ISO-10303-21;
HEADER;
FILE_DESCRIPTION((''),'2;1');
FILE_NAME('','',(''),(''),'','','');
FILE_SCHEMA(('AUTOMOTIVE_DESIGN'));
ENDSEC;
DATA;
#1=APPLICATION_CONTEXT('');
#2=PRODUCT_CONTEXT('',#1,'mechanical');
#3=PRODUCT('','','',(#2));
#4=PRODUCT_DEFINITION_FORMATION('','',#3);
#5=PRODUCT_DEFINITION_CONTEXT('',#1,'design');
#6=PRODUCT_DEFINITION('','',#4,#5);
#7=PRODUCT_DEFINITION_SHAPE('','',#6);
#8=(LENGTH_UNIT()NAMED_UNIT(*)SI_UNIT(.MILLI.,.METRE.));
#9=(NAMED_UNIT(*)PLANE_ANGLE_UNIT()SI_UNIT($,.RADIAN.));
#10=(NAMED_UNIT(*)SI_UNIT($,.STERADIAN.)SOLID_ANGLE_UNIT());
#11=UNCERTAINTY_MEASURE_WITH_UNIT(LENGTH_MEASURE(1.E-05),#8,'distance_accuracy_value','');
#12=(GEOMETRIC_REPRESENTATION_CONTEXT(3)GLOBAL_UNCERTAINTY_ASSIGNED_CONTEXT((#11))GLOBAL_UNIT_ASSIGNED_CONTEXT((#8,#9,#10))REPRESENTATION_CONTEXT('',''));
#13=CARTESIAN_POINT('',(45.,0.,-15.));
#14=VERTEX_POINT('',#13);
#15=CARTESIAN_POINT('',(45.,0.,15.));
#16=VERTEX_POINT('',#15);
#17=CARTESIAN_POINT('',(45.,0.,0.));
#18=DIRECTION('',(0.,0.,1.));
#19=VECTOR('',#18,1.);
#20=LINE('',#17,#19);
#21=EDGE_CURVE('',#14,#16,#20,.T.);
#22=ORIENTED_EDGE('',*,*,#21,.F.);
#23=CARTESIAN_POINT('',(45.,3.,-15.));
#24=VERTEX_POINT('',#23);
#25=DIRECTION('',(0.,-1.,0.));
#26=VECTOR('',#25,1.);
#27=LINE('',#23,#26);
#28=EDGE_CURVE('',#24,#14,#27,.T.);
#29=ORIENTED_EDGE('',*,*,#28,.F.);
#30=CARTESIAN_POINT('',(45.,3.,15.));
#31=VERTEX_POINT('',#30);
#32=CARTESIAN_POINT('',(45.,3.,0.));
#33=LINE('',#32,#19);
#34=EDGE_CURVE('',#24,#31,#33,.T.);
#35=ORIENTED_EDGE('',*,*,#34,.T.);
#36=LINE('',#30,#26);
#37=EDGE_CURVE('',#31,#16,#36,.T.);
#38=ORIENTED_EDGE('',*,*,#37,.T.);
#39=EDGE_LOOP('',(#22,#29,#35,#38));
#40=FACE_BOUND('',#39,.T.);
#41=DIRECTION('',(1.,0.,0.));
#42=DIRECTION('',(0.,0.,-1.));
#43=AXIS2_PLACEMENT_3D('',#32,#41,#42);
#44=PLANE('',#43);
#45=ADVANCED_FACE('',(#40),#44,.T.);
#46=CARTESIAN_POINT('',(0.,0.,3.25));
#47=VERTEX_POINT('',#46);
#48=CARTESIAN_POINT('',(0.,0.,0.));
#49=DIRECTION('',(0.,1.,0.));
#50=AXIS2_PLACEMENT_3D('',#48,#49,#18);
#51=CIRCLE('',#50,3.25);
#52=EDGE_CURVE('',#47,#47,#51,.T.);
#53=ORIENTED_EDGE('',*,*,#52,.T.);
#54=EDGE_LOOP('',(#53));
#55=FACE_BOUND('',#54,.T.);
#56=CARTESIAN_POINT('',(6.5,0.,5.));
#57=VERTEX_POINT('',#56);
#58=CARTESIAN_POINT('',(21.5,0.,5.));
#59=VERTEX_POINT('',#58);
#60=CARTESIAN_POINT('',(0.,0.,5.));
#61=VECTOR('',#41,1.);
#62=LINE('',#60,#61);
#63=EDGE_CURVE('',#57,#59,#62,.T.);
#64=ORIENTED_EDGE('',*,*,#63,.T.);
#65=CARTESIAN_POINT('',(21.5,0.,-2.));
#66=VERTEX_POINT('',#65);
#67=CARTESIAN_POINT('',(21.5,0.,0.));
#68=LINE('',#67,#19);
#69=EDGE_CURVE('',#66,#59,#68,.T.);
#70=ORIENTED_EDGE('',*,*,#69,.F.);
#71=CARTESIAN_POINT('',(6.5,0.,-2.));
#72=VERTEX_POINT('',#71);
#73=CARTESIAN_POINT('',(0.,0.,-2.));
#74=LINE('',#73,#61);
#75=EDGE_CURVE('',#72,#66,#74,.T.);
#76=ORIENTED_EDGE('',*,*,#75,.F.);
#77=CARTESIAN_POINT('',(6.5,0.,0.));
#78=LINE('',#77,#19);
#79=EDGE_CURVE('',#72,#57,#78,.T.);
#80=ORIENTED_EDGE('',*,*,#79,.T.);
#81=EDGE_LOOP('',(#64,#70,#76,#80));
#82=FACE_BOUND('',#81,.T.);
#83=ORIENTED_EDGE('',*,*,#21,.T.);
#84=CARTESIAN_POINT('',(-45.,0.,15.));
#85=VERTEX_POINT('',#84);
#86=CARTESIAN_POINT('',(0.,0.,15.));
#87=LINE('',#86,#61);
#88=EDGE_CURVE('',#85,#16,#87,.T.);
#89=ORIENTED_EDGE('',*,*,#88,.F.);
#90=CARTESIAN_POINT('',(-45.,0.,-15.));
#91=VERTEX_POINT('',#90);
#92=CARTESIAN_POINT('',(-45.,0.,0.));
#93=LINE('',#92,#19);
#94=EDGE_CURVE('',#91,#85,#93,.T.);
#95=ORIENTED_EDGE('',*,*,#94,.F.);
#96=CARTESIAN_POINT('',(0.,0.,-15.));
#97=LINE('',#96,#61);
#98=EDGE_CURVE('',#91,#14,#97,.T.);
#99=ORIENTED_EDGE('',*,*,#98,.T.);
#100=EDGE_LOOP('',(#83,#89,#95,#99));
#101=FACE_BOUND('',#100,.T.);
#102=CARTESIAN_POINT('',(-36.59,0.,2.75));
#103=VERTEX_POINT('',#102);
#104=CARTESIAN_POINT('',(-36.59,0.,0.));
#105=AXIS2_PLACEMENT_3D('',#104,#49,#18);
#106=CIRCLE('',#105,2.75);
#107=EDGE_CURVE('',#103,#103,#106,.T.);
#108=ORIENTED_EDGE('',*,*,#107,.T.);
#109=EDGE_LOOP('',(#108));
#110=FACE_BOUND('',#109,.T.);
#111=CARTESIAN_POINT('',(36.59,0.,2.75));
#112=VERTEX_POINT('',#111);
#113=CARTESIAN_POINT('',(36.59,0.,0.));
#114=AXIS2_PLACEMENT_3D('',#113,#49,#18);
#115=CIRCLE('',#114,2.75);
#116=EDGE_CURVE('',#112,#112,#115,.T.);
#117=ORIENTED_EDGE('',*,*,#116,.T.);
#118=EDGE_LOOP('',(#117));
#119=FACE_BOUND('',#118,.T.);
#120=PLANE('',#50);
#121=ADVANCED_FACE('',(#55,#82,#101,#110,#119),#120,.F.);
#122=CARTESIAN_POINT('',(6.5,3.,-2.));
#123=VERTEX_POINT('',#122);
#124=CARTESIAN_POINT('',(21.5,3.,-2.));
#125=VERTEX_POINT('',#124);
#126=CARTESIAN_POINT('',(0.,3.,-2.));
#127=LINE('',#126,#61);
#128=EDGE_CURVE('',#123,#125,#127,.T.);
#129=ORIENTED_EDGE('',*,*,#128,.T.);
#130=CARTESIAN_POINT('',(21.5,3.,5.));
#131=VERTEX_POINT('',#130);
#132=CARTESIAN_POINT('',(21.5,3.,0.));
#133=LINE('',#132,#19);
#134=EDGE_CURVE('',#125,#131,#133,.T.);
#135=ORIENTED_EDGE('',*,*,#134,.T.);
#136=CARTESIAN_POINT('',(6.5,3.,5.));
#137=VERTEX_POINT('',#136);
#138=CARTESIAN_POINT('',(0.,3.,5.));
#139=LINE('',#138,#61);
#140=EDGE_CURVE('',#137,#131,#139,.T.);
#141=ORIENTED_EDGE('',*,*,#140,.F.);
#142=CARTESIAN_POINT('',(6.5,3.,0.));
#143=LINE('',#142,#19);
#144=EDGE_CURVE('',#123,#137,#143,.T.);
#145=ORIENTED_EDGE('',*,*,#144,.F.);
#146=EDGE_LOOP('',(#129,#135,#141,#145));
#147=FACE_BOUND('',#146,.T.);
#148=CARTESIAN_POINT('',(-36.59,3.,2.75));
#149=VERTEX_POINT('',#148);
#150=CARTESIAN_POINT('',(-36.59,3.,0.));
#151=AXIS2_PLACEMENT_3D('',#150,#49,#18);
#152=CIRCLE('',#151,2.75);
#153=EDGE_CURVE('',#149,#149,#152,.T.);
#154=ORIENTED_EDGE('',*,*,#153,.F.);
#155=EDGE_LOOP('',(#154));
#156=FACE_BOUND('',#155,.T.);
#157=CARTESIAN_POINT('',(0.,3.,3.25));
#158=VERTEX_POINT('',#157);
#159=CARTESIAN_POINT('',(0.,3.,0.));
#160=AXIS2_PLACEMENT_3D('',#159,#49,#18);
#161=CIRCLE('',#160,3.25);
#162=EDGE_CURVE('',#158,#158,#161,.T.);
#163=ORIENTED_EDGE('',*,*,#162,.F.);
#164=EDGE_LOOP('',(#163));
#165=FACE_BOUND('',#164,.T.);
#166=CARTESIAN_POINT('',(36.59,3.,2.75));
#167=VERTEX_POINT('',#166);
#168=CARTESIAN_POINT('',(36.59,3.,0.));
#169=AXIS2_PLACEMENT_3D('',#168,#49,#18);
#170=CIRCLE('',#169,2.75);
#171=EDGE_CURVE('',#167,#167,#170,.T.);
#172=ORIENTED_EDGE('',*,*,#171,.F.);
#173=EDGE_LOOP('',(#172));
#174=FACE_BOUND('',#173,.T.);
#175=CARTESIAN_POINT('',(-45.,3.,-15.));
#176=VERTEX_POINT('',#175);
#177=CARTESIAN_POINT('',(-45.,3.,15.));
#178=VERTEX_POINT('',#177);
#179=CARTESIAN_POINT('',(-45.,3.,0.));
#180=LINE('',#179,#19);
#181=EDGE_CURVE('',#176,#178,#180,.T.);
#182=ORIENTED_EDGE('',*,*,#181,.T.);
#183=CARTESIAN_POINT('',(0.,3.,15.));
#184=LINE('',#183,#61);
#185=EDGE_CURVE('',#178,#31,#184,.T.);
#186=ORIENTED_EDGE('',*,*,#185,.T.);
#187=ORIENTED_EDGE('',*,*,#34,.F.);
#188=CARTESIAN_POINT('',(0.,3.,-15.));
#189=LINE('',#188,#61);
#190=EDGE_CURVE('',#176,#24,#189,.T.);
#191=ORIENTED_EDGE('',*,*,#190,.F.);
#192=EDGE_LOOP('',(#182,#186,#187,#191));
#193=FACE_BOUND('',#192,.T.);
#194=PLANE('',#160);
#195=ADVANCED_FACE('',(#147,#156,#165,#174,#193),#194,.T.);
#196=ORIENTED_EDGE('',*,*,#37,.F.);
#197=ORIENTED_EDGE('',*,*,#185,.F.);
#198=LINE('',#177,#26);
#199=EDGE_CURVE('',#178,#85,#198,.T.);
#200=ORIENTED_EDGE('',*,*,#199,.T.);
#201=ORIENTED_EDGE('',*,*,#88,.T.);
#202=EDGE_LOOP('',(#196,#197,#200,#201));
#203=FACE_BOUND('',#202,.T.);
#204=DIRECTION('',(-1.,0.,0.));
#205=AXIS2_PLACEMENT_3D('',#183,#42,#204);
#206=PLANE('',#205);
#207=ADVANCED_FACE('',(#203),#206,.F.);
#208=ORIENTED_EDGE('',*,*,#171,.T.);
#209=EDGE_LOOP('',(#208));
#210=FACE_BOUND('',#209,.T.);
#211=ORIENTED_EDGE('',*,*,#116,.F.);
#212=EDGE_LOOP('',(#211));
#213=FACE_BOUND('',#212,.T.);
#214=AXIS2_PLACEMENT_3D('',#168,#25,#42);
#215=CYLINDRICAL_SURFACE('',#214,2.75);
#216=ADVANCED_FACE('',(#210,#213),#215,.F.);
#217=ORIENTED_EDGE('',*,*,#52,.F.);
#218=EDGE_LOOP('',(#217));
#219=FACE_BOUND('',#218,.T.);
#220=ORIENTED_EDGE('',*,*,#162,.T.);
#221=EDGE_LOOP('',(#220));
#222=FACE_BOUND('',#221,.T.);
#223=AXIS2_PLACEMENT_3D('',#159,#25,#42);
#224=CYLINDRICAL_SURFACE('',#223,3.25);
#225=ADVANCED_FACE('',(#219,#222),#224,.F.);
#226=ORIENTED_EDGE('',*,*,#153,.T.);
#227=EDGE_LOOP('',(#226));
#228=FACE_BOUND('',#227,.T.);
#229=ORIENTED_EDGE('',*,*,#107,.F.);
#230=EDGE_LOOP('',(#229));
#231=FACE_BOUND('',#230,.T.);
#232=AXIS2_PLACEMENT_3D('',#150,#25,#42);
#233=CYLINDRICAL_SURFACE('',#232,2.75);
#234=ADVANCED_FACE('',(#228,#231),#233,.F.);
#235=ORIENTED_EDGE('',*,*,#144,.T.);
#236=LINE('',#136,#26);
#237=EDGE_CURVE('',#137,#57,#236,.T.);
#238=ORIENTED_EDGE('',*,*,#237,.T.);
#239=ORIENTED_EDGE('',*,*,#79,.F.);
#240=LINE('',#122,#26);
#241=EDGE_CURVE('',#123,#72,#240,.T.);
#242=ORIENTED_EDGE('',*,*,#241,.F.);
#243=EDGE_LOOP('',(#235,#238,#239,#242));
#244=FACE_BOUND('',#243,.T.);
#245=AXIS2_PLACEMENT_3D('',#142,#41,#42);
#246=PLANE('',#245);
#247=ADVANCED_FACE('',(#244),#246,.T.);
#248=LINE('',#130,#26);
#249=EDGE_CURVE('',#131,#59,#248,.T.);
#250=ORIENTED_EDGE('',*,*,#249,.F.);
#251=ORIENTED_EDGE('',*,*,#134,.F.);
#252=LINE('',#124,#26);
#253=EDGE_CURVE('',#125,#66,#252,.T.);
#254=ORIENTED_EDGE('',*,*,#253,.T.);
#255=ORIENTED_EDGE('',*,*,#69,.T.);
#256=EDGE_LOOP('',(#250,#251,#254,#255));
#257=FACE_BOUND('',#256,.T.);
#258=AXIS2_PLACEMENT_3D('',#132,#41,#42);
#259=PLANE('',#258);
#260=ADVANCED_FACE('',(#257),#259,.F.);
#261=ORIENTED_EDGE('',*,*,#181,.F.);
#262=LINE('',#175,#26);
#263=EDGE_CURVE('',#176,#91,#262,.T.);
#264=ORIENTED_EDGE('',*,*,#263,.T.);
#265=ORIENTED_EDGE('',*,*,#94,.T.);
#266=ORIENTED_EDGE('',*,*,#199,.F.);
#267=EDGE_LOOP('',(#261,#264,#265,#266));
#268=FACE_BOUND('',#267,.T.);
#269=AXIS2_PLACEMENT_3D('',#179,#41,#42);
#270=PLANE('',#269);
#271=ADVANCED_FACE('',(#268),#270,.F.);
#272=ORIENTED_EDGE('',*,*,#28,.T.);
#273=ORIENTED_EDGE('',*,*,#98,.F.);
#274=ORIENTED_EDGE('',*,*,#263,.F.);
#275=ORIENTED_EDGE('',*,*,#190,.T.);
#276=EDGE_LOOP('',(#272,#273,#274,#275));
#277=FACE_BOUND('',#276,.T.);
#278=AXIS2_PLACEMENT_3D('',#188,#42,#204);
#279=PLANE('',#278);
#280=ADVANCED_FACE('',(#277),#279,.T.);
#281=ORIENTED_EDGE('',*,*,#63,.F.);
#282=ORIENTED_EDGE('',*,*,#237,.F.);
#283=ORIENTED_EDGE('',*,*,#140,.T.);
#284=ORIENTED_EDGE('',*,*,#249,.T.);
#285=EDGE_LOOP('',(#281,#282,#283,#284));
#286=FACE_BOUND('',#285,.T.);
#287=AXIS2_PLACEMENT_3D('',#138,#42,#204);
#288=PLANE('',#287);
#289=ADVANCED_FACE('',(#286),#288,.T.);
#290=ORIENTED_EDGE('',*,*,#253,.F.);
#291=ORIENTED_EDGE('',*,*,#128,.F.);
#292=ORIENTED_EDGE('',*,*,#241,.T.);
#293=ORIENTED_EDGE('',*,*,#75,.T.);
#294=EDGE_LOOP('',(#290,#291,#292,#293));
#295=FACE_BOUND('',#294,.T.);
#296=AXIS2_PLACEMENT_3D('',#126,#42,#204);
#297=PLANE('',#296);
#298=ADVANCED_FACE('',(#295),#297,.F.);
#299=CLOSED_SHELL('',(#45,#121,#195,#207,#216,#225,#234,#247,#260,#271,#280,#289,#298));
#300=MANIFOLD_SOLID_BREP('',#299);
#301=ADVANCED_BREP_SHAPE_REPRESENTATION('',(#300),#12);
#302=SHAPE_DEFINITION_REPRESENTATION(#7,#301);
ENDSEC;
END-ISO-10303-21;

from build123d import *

# Parameters (mm, degrees)
SKETCH_1_W      = 90
SKETCH_1_H      = 30
SKETCH_1_R      = 2.75
EXTRUDE_1_DEPTH = 3


with BuildPart() as part:
    # 草圖1 → 填料-伸長1 (new body)
    with BuildSketch(Plane(origin=(0, 0, 0), x_dir=(1, 0, 0), z_dir=(0, 1, 0))):
        Rectangle(SKETCH_1_W, SKETCH_1_H)
        Polygon((6.5, -5), (6.5, 0), (6.5, 2), (21.5, 2), (21.5, 0), (21.5, -5), align=None, mode=Mode.SUBTRACT)
        with Locations((-36.59, 0)):
            Circle(SKETCH_1_R, mode=Mode.SUBTRACT)
        with BuildLine():
            ThreePointArc((3.25, 0), (0, -3.25), (-3.25, 0))
            ThreePointArc((-3.25, 0), (0, 3.25), (3.25, 0))
        make_face(mode=Mode.SUBTRACT)
        with BuildLine():
            ThreePointArc((39.34, 0), (36.59, -2.75), (33.84, 0))
            ThreePointArc((33.84, 0), (36.59, 2.75), (39.34, 0))
        make_face(mode=Mode.SUBTRACT)
    extrude(amount=EXTRUDE_1_DEPTH)


solid = part.part
